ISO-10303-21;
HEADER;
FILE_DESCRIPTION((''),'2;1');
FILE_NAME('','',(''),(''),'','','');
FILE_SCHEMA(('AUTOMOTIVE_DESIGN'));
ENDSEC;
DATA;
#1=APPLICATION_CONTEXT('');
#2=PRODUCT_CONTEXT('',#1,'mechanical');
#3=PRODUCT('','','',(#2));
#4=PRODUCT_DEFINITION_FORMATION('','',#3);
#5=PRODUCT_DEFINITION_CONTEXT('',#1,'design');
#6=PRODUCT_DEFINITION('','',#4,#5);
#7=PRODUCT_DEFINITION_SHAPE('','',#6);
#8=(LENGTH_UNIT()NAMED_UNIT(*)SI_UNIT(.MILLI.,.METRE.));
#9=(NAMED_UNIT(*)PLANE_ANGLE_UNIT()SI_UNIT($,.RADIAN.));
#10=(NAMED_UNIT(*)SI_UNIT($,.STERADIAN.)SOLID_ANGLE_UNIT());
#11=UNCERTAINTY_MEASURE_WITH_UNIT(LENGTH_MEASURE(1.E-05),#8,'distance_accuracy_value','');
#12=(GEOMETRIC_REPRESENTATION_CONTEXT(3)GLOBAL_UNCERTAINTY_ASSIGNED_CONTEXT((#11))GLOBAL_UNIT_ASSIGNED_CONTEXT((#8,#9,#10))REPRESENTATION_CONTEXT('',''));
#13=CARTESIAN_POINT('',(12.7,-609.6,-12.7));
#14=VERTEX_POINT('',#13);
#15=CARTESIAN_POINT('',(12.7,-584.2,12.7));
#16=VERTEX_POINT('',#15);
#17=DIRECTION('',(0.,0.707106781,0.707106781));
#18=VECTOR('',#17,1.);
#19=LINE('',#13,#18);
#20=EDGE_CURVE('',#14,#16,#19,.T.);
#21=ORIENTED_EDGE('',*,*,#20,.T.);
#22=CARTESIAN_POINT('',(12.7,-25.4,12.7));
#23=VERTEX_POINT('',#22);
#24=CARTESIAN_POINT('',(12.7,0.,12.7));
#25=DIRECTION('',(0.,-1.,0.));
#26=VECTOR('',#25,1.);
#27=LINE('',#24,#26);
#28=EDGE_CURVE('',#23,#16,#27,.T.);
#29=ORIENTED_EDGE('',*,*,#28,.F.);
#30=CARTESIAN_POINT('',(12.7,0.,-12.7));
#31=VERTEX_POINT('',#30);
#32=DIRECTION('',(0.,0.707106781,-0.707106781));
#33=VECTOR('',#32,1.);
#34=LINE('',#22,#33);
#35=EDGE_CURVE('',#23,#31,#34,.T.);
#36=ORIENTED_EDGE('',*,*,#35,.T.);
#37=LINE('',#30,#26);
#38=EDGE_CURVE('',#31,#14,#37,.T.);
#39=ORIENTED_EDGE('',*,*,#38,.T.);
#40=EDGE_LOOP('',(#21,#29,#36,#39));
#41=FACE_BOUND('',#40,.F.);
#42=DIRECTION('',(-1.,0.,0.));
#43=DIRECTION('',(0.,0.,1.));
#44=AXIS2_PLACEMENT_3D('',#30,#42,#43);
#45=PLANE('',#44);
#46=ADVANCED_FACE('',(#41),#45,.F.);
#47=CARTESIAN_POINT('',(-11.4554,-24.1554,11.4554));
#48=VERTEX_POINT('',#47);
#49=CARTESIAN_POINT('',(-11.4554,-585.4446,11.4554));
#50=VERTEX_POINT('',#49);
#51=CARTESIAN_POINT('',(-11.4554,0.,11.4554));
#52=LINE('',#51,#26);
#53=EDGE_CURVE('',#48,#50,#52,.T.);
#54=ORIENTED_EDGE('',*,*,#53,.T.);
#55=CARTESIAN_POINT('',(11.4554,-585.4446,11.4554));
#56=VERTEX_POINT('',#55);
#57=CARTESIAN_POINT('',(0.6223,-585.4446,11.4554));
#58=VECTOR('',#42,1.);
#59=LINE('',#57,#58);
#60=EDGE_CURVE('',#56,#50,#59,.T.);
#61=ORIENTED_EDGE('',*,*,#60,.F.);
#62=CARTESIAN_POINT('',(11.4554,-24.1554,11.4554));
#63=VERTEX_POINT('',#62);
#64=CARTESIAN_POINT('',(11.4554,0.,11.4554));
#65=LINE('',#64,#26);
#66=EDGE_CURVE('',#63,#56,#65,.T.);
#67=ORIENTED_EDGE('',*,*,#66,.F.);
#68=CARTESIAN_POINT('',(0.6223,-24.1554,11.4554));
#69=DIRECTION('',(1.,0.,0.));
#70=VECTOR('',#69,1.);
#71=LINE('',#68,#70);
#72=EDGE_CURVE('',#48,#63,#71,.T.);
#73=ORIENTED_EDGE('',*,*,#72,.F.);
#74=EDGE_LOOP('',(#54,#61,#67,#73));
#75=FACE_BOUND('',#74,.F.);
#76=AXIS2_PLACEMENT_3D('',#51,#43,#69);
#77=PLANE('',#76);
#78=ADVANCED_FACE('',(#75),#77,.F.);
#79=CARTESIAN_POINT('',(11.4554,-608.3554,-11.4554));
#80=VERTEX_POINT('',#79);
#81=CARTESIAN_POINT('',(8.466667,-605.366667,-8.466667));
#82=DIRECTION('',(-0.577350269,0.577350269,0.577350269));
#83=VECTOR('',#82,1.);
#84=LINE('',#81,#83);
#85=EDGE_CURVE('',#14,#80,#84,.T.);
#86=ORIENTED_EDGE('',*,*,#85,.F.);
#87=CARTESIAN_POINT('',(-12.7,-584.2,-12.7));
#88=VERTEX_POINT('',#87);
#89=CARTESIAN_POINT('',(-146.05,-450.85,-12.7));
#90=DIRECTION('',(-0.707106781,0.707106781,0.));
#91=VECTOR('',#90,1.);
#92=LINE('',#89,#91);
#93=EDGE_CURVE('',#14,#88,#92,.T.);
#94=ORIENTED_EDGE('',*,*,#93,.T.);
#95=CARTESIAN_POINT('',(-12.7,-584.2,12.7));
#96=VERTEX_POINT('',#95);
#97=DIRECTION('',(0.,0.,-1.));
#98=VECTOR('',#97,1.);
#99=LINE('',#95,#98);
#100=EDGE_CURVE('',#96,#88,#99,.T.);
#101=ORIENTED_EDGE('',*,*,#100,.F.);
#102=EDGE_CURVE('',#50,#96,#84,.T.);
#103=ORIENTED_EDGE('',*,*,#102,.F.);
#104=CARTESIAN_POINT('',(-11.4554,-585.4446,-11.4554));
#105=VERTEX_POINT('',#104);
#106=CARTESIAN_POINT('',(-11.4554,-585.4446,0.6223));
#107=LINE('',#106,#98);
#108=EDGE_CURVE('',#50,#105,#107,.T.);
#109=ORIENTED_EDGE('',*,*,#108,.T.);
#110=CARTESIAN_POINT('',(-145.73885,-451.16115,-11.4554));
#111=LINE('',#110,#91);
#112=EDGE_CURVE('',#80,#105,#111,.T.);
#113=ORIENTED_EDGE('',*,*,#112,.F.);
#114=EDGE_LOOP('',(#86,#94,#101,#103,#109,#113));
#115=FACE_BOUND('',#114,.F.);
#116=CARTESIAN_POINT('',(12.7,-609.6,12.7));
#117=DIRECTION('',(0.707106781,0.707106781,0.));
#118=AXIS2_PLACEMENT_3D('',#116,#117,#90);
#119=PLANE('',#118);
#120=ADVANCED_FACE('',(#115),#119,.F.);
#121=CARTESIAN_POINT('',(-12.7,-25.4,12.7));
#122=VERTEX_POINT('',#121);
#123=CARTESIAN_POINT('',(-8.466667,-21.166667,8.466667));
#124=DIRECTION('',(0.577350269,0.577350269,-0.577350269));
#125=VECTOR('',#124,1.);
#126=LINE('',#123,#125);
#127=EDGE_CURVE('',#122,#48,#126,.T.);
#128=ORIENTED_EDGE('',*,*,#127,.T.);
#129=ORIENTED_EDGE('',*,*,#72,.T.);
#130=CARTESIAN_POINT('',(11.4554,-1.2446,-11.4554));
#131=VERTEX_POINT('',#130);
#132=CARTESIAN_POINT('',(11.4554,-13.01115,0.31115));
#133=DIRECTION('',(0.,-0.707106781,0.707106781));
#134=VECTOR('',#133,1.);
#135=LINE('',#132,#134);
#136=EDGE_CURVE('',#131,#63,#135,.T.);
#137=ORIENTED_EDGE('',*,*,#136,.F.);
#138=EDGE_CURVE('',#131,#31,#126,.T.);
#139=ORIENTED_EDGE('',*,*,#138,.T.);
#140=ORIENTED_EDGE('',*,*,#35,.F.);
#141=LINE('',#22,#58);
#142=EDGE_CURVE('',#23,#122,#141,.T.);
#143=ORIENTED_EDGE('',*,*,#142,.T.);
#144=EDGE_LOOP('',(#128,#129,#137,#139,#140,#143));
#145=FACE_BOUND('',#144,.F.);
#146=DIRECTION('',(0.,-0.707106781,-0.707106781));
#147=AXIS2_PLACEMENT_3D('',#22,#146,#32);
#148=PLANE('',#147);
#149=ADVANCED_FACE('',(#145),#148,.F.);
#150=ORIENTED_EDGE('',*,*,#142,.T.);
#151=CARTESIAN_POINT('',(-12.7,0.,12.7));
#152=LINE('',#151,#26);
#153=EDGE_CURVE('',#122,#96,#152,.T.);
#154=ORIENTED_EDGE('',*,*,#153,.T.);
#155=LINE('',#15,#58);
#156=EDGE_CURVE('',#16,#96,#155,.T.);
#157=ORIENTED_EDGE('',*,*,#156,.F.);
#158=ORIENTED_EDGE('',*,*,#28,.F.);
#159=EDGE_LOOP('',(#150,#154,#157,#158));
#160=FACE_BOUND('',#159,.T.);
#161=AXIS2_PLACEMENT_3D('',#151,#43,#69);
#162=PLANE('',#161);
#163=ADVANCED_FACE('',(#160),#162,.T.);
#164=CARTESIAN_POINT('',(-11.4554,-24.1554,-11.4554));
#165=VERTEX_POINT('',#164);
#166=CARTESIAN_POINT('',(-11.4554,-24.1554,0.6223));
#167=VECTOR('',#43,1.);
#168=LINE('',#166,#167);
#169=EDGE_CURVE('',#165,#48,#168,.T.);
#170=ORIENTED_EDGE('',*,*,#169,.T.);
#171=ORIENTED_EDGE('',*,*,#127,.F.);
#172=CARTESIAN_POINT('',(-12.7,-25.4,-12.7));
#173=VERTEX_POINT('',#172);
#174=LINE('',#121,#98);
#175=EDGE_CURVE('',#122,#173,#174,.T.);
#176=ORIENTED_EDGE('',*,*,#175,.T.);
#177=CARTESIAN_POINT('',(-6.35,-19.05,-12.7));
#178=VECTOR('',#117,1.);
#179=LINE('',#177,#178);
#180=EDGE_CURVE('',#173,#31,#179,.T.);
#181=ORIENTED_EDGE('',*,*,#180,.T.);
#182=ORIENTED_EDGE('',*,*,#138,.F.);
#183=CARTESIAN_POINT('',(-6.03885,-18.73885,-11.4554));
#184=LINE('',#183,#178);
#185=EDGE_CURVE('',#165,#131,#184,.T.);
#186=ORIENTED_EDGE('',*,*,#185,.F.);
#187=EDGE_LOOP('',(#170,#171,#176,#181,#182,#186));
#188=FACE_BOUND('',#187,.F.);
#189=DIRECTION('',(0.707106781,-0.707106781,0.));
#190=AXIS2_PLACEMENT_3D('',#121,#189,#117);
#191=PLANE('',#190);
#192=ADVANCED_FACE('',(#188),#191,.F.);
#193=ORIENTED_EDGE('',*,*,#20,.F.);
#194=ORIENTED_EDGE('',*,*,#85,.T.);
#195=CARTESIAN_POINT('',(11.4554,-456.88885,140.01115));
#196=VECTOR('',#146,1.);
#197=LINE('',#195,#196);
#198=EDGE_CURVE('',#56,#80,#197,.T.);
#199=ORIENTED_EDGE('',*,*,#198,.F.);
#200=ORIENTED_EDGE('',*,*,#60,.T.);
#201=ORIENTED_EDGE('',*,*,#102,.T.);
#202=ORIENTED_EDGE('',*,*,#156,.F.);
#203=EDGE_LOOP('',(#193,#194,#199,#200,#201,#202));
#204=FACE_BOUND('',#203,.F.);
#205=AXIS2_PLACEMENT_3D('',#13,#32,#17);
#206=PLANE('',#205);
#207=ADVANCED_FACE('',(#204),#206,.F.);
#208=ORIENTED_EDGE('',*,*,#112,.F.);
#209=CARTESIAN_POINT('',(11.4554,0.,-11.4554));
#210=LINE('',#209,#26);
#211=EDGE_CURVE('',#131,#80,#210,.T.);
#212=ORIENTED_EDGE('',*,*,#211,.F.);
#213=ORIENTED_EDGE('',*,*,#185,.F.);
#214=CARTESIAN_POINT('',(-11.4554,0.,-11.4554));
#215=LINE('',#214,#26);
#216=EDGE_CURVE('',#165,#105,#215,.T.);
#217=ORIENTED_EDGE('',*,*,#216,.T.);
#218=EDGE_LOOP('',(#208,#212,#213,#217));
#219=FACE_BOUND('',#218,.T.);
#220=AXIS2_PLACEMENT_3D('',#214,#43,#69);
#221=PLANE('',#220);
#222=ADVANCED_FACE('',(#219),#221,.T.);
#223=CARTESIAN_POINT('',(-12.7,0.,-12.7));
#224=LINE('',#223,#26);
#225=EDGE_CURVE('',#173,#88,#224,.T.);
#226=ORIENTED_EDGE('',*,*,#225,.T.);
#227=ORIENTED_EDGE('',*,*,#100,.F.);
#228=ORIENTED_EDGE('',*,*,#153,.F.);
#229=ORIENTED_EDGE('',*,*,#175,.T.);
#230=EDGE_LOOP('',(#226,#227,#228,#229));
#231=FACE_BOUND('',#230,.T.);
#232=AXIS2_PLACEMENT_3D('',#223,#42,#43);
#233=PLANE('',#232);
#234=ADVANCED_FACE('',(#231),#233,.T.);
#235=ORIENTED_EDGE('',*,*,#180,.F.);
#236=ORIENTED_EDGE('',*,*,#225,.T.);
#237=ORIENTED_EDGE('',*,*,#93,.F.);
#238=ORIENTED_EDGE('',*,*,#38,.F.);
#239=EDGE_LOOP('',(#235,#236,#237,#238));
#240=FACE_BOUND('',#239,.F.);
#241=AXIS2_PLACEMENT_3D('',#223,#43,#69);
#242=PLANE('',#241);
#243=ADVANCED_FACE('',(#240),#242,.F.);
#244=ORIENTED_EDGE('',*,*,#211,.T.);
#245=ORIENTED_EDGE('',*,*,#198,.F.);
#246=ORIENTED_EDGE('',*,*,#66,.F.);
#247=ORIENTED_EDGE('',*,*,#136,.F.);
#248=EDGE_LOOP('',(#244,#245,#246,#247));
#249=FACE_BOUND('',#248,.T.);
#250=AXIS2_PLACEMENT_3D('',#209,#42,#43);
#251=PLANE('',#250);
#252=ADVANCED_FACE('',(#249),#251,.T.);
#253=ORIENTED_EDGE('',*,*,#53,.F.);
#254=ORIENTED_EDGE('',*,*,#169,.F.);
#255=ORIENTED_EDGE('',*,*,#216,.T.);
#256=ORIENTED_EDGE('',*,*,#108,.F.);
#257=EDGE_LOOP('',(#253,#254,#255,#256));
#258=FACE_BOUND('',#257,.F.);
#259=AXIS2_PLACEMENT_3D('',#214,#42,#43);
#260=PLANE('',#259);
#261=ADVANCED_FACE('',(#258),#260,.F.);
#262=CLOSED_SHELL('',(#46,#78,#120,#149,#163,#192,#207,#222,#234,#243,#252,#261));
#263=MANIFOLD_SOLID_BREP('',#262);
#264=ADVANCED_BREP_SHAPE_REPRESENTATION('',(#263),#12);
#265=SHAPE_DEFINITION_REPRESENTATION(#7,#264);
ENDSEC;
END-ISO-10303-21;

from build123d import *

# Parameters (mm, degrees)
F0_W     = 25.4
F0_H     = 25.4
F0_W_2   = 22.9108
F0_H_2   = 22.9108
F1_DEPTH = 609.6
F3_DEPTH = 25.401
F5_DEPTH = 25.401


with BuildPart() as f1:
    # F0 (on Front) → F1 (new body)
    with BuildSketch(Plane.XZ):
        Rectangle(F0_W, F0_H)
        Rectangle(F0_W_2, F0_H_2, mode=Mode.SUBTRACT)
    extrude(amount=F1_DEPTH)

    # F2 (on face) → F3 (cut, through all)
    with BuildSketch(Plane.XY.offset(12.7)):
        Polygon((-12.7, -25.4), (12.7, 0), (-12.7, 0), align=None)
        Polygon((-12.7, -609.6), (12.7, -609.6), (-12.7, -584.2), align=None)
    extrude(amount=-F3_DEPTH, mode=Mode.SUBTRACT)

    # F4 (on face) → F5 (cut, through all)
    with BuildSketch(Plane.YZ.offset(12.7)):
        Polygon((-609.6, 12.7), (-609.6, -12.7), (-584.2, 12.7), align=None)
        Polygon((-25.4, 12.7), (0, -12.7), (0, 12.7), align=None)
    extrude(amount=-F5_DEPTH, mode=Mode.SUBTRACT)


solid = f1.part
